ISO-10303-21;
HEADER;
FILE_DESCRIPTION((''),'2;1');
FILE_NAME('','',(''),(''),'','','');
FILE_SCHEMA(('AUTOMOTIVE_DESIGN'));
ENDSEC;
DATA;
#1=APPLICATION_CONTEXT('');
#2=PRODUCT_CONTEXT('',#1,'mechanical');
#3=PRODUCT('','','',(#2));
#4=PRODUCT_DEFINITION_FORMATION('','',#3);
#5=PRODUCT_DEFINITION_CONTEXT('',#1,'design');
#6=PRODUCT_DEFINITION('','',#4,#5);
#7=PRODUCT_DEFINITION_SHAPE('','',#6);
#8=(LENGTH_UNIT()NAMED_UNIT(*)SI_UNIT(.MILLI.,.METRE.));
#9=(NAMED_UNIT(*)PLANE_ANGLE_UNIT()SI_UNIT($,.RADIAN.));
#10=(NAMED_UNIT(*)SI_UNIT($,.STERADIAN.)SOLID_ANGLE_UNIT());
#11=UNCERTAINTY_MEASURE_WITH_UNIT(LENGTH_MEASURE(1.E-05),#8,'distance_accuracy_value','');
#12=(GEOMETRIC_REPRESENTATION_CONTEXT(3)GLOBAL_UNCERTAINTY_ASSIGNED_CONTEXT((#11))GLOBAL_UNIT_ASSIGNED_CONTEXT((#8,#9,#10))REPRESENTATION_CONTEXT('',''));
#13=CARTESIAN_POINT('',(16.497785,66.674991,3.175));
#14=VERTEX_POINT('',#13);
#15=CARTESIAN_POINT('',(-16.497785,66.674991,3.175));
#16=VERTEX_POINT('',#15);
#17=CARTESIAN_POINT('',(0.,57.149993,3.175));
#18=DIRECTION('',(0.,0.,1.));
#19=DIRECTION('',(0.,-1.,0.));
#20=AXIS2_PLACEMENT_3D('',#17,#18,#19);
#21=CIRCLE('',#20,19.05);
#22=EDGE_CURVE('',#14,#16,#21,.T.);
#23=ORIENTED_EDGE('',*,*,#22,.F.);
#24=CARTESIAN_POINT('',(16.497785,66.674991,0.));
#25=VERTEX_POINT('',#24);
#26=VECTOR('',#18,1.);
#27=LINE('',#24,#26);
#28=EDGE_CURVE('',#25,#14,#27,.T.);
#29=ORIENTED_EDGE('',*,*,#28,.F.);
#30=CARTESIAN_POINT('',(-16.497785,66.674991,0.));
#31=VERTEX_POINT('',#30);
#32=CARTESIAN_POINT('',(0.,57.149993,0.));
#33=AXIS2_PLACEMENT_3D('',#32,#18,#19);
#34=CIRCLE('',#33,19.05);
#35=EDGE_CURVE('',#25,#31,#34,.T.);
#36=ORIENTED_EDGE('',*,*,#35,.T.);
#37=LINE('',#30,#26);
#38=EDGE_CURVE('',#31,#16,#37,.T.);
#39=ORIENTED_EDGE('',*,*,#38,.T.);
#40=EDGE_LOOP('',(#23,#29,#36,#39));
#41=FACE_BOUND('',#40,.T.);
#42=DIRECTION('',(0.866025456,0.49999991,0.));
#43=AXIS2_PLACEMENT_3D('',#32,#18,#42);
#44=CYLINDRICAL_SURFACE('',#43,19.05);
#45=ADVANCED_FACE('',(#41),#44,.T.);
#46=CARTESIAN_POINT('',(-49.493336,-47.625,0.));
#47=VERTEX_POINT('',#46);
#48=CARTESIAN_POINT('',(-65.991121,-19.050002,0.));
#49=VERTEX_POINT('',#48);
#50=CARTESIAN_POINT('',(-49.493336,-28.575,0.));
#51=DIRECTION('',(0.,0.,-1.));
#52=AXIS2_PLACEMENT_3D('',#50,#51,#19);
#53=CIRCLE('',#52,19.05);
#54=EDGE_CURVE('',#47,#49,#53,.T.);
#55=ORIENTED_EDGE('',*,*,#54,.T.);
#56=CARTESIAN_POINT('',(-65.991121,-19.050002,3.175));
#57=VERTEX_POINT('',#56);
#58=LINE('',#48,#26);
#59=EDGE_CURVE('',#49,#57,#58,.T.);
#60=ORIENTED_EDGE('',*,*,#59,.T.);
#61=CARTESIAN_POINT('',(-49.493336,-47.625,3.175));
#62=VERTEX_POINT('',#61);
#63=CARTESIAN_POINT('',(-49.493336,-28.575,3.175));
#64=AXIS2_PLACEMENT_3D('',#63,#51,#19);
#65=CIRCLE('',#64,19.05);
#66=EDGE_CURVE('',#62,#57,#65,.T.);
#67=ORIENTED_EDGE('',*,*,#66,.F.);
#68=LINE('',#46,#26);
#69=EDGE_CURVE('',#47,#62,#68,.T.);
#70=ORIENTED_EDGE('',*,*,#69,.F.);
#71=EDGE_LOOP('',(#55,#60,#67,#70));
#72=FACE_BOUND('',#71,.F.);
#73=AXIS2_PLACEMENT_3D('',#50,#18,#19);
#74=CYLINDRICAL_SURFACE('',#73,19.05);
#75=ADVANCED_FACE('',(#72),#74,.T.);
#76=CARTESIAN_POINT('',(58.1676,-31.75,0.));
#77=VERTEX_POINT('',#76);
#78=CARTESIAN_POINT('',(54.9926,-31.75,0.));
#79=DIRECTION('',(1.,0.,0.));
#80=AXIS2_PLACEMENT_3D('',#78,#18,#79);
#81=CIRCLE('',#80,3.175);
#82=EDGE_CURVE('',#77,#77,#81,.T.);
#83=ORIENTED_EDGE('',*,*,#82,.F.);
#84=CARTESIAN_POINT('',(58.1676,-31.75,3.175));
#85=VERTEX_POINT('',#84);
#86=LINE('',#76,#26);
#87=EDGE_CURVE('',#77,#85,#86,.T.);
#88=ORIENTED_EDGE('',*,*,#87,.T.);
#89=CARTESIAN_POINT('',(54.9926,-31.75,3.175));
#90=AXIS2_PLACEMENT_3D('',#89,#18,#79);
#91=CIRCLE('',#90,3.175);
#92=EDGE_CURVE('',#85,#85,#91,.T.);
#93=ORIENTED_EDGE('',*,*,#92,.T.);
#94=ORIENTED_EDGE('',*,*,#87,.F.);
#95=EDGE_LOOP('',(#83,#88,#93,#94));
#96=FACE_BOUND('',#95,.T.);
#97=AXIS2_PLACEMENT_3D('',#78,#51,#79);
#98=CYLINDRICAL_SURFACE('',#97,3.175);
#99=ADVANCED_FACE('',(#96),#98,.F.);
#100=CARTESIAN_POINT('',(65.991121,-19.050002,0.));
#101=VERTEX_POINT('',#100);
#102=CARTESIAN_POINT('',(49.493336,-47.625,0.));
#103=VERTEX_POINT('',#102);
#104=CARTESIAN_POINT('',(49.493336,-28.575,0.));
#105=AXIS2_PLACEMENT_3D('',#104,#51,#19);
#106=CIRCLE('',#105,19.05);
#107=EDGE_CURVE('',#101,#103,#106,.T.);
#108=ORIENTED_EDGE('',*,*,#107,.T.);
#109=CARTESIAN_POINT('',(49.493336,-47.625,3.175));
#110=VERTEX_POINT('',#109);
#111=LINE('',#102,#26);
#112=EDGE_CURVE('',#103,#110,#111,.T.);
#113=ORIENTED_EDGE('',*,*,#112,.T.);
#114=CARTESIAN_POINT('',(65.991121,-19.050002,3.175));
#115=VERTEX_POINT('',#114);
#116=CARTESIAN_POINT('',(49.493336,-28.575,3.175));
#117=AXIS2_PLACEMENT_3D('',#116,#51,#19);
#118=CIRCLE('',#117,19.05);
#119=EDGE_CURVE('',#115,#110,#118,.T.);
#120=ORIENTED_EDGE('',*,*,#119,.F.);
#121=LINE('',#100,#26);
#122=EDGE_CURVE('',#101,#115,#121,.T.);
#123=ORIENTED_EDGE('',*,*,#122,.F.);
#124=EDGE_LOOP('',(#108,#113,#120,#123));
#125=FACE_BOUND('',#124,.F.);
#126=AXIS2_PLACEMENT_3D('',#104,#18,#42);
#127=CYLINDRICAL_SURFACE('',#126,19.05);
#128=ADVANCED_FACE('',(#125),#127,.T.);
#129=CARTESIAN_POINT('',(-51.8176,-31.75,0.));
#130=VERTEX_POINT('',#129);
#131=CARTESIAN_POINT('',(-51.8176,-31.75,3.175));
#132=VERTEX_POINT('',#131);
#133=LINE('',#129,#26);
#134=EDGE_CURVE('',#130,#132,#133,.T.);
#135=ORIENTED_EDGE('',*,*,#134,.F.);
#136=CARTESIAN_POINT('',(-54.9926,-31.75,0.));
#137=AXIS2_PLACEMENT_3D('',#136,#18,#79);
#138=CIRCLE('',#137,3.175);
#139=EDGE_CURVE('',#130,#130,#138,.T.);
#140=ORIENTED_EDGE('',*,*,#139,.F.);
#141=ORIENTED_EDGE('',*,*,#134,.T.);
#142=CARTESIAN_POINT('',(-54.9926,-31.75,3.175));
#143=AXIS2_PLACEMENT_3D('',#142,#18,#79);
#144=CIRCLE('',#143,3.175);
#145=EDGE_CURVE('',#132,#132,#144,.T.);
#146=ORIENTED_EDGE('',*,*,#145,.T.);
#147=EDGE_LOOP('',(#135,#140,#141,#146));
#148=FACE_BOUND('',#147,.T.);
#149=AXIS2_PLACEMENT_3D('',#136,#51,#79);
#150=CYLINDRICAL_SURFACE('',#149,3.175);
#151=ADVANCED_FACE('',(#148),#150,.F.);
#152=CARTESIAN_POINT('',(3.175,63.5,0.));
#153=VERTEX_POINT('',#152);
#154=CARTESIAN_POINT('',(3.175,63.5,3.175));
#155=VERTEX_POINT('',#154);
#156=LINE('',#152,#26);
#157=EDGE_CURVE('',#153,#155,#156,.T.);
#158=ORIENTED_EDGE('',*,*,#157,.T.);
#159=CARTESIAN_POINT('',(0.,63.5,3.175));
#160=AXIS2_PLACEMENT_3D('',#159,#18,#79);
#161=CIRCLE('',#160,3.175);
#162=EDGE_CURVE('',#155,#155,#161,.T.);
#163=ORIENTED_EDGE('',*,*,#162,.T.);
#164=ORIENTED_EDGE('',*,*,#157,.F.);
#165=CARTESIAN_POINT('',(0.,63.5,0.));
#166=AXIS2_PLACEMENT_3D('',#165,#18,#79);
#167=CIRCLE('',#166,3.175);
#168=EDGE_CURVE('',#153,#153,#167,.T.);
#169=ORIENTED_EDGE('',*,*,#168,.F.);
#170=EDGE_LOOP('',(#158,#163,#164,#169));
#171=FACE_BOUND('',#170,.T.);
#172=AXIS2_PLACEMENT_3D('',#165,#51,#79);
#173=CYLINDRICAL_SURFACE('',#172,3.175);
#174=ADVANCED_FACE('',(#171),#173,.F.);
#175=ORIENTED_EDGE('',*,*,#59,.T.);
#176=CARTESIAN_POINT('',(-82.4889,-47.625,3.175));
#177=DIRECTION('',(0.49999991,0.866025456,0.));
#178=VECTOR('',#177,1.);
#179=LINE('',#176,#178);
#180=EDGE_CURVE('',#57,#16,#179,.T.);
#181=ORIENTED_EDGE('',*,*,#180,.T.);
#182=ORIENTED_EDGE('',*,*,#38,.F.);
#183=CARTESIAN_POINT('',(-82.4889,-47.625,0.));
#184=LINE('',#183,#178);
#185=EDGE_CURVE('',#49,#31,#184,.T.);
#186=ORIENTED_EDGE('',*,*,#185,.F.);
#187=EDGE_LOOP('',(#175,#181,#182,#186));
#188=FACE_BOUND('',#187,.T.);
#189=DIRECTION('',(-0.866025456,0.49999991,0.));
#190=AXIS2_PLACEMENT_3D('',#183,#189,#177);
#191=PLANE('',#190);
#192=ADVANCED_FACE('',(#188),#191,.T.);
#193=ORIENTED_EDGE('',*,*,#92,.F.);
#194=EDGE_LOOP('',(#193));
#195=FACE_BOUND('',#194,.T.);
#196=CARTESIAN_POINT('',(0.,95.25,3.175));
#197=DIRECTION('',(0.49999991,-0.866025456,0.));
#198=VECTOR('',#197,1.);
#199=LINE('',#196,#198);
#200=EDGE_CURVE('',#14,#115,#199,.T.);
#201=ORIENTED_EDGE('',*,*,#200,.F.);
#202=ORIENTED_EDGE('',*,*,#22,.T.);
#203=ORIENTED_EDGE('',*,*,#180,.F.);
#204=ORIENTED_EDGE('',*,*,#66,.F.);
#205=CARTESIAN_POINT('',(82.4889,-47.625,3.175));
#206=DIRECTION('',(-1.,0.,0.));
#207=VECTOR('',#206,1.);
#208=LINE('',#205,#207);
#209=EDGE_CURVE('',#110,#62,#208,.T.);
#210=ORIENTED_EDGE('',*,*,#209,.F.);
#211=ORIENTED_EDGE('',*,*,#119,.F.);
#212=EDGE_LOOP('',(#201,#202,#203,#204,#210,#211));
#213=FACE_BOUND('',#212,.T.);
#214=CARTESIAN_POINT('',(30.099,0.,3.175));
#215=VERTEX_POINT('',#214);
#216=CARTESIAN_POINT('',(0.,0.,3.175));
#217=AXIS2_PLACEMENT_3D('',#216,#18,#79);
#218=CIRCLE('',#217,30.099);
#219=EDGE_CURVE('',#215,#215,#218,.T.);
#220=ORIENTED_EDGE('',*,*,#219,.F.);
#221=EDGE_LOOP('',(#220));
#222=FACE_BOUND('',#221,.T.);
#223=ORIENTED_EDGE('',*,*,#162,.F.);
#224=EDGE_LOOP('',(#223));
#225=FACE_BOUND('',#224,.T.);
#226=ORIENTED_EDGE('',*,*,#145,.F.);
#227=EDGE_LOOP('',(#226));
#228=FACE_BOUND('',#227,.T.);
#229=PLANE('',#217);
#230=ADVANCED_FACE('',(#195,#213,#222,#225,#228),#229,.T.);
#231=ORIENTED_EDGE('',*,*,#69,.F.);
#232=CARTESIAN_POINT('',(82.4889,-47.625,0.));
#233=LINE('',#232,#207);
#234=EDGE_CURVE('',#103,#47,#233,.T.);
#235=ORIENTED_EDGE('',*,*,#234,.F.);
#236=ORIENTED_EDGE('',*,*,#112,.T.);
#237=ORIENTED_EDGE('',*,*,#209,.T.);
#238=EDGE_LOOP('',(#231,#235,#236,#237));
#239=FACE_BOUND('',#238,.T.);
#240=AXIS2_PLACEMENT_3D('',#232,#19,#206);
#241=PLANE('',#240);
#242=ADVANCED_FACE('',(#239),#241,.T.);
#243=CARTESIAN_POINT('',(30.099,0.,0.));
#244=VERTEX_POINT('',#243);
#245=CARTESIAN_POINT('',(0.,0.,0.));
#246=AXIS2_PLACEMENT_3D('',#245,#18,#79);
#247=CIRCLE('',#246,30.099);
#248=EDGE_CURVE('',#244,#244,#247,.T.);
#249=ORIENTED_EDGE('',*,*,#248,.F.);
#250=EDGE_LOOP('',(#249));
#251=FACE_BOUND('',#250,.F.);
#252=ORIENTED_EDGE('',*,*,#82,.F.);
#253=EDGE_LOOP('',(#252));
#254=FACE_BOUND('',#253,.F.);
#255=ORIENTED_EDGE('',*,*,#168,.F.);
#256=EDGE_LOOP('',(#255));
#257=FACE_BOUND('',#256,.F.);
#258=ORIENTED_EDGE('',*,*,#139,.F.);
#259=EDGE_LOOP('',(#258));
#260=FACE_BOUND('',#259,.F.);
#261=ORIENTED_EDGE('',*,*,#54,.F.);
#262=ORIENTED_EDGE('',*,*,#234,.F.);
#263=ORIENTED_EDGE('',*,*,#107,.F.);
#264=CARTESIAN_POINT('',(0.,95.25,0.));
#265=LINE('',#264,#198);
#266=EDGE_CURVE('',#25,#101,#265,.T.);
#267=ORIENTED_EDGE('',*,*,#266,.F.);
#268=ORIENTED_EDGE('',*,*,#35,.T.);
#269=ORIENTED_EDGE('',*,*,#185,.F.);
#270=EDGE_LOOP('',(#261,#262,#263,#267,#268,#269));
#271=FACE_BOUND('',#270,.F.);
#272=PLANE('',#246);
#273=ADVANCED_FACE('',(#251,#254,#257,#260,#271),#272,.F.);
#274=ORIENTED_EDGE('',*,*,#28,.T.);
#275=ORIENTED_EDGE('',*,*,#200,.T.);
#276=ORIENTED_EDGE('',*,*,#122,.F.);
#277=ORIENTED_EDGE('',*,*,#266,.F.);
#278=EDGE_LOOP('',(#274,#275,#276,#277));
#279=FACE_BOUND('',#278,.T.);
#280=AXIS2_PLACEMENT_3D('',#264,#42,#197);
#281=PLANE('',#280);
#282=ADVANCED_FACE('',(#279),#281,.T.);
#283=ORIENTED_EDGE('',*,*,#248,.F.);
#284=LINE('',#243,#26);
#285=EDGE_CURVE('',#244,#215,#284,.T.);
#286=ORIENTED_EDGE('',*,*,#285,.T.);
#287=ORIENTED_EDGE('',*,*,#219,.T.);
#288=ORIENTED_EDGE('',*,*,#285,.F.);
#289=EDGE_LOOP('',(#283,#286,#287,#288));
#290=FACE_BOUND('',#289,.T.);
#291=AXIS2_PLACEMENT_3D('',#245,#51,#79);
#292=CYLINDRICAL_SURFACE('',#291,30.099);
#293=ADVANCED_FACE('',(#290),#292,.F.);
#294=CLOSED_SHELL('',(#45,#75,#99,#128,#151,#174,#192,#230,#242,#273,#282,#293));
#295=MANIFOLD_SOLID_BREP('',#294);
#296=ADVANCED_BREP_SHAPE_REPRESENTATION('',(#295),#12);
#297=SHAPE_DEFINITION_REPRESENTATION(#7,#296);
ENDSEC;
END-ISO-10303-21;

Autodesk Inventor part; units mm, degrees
ref_plane "YZ Plane" through (0, 0, 0) normal (1, 0, 0) x (0, 1, 0)
ref_plane "XZ Plane" through (0, 0, 0) normal (0, 1, 0) x (-1, 0, 0)
ref_plane "XY Plane" through (0, 0, 0) normal (0, 0, 1) x (1, 0, 0)
sketch "Sketch2" plane through (0, 0, 0) normal (0, 0, 1) x (1, 0, 0)
  circle A0 centre (0, 0) radius 30.099
  circle A1 centre (0, 63.5) radius 3.175
  circle A2 centre (-54.9926, -31.75) radius 3.175
  circle A3 centre (54.9926, -31.75) radius 3.175
  line L0 (0, 69.85) -> (60.4919, -34.925) construction
  line L1 (60.4919, -34.925) -> (-60.4919, -34.925) construction
  line L2 (-60.4919, -34.925) -> (0, 69.85) construction
  line L3 (0, 95.25) -> (82.4889, -47.625)
  line L4 (82.4889, -47.625) -> (-82.4889, -47.625)
  line L5 (-82.4889, -47.625) -> (0, 95.25)
  dimension "d0" = 60.198
  dimension "d1" = 6.35
  dimension "d2" = 63.5
  dimension "d5" = 360
  dimension "d8" = 12.7
  dimension "d9" = 12.7
  dimension "d10" = 12.7
extrude "Extrusion1" add sketch "Sketch2" along normal blind 3.175
fillet "Fillet1" radius 19.05 3 edges at (0, 95.25, 1.5875) (-82.4889, -47.625, 1.5875) (82.4889, -47.625, 1.5875)
properties part number "Triangle-PVC-hole"
